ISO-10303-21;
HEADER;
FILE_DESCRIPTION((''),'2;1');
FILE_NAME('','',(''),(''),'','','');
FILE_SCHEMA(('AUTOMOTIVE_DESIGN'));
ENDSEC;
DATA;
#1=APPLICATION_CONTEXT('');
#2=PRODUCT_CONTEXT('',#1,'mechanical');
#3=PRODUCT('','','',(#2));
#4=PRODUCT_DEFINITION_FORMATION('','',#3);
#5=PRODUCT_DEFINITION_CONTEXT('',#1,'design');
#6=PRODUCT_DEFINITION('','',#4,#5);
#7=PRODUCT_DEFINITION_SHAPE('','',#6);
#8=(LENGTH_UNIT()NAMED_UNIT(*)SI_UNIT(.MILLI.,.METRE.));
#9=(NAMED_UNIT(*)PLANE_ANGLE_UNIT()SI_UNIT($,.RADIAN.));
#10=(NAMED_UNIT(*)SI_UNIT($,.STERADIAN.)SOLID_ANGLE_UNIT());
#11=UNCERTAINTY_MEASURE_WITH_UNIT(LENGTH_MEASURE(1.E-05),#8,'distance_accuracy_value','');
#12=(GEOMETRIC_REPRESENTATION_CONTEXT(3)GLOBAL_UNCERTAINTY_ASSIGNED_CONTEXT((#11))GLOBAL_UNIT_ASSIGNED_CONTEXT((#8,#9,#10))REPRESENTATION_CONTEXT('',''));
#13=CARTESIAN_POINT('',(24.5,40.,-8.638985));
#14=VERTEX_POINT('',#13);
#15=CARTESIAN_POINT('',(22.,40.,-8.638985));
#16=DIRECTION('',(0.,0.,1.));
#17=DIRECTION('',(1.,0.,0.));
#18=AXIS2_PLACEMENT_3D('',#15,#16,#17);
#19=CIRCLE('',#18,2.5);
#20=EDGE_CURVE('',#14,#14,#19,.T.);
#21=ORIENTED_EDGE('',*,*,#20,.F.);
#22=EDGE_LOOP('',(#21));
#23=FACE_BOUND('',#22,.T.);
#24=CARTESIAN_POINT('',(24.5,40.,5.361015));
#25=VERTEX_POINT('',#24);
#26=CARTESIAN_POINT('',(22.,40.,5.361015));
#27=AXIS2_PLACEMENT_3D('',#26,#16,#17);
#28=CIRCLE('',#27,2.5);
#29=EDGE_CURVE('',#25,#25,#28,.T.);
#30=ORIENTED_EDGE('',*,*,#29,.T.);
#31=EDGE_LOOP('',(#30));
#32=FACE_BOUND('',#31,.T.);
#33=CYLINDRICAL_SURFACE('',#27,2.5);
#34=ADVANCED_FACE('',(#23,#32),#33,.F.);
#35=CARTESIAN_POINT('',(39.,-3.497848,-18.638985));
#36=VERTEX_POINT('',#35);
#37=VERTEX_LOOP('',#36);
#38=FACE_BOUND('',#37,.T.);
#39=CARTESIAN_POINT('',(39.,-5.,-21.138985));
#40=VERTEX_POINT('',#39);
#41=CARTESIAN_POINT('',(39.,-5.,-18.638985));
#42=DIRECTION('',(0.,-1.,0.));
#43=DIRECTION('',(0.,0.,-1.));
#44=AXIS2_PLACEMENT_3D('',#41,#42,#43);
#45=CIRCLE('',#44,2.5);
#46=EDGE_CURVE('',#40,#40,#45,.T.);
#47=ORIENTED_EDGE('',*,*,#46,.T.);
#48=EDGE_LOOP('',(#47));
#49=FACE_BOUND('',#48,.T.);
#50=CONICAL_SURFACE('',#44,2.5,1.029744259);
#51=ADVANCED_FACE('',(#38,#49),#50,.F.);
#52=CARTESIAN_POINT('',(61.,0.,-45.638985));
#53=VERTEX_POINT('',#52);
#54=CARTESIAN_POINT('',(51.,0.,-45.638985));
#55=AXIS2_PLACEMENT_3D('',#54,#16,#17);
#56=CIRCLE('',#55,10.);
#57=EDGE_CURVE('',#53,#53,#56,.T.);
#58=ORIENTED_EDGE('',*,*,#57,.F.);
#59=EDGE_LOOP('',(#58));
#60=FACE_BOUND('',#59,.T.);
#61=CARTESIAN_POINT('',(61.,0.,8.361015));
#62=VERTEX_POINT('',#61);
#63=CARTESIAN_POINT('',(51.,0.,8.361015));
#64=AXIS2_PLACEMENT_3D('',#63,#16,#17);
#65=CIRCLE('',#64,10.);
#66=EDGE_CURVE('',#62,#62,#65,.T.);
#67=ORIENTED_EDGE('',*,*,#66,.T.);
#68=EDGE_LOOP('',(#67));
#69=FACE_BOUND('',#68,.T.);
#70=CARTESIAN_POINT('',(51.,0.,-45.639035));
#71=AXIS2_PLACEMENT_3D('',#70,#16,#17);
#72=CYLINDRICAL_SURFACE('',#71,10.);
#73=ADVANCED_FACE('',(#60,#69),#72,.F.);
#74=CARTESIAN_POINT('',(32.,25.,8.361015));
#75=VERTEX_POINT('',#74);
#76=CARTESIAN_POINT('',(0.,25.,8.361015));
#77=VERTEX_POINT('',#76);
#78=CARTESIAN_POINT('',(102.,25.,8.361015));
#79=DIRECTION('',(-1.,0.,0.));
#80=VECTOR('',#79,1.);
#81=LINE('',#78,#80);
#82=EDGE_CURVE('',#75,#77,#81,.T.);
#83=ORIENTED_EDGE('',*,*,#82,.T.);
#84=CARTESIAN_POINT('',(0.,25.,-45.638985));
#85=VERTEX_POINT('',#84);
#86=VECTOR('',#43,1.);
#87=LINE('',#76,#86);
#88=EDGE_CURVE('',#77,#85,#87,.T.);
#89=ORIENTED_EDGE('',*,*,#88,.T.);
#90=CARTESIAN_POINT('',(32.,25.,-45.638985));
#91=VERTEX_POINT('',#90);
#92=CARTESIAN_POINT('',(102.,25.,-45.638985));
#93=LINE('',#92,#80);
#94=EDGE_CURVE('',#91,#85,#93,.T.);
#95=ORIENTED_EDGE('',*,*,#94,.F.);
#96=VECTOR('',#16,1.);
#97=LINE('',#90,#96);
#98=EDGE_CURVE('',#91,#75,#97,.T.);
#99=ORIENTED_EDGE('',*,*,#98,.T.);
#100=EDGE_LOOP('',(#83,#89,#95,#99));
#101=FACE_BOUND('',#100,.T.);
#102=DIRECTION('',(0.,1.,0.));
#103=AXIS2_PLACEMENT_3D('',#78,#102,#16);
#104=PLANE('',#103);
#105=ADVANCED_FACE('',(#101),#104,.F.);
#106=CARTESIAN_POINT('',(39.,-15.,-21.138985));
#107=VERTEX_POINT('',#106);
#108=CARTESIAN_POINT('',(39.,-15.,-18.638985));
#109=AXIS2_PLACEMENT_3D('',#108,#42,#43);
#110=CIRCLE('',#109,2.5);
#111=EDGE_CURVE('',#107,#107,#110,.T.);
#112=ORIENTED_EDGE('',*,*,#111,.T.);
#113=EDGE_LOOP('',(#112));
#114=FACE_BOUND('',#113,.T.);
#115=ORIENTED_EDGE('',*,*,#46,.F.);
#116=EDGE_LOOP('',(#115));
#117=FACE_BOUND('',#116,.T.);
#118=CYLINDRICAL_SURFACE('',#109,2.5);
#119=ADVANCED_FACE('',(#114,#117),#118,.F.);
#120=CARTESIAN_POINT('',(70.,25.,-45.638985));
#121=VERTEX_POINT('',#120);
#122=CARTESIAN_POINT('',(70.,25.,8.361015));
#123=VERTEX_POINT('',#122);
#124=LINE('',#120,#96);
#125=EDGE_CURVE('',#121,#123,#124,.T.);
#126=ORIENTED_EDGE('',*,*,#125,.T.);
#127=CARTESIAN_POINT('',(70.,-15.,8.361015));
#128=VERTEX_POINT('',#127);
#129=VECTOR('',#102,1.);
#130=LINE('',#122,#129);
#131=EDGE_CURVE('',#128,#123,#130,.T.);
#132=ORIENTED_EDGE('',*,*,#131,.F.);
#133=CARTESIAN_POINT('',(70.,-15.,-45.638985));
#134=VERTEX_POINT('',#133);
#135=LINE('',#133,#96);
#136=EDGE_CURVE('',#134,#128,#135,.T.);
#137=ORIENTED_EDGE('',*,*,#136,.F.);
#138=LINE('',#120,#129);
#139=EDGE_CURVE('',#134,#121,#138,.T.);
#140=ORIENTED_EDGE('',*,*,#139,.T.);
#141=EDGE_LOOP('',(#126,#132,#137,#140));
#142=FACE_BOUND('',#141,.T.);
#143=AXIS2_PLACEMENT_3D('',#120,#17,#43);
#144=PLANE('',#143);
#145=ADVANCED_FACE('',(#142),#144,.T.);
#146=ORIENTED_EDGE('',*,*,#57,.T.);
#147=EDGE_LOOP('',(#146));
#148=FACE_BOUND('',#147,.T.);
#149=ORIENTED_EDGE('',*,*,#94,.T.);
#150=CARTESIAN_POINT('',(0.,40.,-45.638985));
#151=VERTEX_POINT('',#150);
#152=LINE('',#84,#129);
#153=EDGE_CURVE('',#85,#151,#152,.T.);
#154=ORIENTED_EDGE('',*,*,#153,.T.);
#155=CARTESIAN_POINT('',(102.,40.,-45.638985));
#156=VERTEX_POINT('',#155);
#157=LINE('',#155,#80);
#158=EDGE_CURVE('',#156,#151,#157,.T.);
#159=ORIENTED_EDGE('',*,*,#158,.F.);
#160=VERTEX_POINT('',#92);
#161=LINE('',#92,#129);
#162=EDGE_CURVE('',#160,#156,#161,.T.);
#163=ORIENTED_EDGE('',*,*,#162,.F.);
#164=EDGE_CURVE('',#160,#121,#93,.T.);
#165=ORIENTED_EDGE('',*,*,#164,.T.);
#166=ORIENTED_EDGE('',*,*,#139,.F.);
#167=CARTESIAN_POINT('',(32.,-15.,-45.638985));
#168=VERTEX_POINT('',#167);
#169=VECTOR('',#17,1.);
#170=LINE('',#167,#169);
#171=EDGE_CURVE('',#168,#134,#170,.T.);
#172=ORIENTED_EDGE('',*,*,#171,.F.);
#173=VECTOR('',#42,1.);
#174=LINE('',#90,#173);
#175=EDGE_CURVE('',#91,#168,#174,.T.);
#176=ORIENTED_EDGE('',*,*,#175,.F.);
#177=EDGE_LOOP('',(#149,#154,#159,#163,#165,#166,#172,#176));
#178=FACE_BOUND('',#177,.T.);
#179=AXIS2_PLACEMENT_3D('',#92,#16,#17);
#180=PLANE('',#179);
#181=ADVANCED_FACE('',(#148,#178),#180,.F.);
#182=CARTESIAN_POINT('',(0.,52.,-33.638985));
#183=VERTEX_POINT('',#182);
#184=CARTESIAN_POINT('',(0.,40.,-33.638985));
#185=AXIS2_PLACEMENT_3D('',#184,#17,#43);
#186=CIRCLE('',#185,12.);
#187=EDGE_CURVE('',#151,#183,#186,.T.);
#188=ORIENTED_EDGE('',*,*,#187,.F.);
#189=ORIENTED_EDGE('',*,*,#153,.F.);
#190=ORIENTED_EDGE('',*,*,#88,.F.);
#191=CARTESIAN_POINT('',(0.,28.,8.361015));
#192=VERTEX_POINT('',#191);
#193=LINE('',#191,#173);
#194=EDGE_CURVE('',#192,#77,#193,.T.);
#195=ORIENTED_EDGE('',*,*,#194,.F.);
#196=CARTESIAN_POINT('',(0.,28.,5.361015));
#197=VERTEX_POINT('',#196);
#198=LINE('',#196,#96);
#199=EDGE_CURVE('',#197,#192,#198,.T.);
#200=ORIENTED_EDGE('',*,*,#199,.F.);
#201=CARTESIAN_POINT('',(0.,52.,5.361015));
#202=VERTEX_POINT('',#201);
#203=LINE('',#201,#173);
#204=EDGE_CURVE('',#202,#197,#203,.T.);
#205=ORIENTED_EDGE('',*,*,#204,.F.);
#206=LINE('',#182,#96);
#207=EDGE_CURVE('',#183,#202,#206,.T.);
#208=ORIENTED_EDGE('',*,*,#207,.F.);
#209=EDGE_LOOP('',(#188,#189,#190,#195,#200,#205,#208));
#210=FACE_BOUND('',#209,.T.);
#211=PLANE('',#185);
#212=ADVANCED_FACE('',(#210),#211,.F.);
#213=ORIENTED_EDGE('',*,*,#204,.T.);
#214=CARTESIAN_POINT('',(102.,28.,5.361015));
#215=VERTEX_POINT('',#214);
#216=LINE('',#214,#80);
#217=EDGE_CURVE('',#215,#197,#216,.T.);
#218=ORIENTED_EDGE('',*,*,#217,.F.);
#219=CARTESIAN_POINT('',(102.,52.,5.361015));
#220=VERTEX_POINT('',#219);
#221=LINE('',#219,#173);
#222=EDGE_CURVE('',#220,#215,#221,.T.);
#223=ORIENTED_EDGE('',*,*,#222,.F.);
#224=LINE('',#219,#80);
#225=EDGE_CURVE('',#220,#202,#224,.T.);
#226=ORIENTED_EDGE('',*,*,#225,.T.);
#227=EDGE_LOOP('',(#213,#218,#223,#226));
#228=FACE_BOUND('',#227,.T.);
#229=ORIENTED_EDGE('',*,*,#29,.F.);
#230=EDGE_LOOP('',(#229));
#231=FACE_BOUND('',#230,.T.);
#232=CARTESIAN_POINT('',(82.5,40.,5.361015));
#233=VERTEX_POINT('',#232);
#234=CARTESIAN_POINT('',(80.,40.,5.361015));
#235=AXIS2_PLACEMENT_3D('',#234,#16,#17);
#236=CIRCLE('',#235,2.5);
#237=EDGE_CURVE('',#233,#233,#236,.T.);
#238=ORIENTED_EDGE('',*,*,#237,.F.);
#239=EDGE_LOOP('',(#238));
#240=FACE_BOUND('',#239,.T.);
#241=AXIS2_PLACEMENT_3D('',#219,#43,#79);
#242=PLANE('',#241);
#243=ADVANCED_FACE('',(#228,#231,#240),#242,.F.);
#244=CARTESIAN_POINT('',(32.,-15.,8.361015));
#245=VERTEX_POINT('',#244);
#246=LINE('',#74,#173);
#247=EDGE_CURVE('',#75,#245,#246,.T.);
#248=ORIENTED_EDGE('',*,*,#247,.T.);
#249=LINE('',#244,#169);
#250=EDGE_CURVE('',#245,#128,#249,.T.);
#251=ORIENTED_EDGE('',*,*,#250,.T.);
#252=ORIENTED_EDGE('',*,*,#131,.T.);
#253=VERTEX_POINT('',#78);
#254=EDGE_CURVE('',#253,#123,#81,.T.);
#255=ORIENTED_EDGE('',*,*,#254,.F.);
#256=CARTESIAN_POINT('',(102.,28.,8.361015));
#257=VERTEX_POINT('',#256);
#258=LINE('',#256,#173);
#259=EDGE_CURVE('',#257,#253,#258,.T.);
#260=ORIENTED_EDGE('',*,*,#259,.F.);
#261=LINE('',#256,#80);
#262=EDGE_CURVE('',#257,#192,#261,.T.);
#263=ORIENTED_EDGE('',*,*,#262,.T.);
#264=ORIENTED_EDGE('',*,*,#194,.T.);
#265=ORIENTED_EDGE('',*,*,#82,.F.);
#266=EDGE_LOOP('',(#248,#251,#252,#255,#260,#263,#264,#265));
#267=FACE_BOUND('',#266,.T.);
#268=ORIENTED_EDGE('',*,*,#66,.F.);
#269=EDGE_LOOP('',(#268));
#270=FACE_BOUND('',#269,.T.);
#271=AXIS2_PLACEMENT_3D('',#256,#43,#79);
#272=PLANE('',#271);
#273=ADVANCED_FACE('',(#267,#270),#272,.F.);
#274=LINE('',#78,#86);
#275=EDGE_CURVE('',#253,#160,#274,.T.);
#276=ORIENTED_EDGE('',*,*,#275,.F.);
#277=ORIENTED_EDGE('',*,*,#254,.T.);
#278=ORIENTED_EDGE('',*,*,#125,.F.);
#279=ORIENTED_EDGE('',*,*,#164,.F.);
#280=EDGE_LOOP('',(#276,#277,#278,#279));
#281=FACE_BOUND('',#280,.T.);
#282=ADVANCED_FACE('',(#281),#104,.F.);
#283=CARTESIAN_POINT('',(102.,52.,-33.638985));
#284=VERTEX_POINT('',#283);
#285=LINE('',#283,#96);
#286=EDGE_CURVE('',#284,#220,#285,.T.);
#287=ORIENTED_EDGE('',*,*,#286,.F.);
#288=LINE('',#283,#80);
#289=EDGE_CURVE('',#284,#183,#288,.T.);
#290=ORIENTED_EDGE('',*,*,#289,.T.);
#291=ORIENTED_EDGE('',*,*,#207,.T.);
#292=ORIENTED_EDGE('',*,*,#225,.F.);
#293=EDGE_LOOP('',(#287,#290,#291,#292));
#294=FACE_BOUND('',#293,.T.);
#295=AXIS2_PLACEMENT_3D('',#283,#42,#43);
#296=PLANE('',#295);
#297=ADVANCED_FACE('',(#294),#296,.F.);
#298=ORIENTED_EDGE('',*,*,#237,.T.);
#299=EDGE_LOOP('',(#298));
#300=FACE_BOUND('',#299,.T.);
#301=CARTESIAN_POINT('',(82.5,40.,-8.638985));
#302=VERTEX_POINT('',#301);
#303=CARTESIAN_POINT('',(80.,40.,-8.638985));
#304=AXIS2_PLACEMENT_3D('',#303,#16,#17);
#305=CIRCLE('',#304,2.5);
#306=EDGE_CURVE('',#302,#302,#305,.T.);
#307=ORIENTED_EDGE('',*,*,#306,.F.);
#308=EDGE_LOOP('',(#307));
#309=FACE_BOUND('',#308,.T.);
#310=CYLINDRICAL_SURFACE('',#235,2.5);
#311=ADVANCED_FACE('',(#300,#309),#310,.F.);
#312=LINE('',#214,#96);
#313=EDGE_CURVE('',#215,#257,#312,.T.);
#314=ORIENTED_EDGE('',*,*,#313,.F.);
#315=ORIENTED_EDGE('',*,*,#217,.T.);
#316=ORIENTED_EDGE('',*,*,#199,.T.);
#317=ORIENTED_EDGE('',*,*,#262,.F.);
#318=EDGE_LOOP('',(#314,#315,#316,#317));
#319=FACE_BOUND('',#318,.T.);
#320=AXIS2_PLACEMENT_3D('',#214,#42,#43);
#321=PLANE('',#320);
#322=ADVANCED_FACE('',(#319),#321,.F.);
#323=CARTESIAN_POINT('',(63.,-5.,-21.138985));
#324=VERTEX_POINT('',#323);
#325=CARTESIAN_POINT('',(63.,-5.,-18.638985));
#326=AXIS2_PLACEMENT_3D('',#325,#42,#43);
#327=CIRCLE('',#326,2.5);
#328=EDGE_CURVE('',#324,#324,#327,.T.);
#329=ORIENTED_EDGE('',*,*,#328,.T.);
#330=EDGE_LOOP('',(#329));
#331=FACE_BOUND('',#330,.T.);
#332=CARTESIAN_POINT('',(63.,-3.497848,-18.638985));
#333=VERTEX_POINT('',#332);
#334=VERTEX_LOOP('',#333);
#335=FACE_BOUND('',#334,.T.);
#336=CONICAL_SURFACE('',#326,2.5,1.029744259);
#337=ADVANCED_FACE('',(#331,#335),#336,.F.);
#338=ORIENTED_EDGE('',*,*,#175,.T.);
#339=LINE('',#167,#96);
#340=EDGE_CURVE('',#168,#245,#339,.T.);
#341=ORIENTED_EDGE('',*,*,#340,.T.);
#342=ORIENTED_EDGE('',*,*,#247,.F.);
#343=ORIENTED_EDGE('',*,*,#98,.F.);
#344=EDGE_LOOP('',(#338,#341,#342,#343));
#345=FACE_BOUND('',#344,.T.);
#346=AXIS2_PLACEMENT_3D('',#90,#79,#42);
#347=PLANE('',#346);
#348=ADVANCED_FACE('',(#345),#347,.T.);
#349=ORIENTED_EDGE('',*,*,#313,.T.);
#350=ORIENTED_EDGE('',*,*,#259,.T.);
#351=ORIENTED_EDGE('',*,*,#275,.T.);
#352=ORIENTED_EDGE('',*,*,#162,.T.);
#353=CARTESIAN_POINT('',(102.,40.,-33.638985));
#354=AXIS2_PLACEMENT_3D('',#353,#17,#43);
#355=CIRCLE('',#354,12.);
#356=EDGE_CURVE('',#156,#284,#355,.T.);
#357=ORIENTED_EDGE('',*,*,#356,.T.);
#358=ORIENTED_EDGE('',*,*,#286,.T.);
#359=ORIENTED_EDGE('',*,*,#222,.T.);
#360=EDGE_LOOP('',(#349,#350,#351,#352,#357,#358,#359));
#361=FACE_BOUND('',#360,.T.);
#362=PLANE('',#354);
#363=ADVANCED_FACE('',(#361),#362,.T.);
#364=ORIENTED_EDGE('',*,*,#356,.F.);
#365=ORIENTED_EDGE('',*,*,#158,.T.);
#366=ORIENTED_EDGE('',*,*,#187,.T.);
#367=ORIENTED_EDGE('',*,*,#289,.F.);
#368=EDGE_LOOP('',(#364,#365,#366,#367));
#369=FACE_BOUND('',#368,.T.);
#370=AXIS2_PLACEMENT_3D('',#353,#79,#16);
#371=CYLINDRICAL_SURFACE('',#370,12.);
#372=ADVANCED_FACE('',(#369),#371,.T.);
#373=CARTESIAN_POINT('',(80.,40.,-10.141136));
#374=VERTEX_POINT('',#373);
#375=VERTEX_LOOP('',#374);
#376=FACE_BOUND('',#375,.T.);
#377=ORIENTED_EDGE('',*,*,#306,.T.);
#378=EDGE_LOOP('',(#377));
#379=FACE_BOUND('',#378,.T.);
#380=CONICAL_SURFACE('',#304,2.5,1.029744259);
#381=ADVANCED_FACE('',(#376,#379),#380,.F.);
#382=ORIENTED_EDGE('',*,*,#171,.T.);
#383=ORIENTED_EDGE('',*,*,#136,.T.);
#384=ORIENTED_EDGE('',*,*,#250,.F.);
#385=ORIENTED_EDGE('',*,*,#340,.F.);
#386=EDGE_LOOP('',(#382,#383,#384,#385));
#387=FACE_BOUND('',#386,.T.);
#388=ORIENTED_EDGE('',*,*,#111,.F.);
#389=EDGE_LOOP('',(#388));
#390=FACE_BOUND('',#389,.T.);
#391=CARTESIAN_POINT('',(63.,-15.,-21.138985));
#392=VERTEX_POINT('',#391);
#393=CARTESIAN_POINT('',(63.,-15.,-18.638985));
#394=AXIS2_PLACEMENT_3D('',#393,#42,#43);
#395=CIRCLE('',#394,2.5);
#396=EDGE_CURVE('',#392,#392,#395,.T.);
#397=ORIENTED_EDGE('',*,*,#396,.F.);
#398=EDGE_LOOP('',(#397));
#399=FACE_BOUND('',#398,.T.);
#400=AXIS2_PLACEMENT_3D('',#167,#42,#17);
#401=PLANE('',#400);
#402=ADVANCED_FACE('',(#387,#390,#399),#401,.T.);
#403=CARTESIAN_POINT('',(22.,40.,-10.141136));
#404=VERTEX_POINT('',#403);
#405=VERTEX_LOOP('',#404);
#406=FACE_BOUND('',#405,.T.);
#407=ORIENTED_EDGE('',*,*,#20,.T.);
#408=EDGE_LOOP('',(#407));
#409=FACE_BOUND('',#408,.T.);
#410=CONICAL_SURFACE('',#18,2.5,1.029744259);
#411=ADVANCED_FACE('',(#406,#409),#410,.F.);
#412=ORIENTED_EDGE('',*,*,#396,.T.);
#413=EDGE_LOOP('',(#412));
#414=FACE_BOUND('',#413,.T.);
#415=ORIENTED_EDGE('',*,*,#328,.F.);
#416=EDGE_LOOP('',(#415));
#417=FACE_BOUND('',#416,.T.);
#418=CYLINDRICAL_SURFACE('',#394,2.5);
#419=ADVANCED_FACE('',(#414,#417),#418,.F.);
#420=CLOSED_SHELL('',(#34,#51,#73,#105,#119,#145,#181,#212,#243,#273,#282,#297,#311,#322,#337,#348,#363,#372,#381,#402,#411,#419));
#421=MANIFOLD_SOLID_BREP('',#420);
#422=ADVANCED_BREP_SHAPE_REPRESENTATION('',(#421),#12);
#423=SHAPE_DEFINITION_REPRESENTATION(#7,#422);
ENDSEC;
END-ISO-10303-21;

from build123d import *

# Parameters (mm, degrees)
EXTRUDE1_DEPTH        = 102
SKETCH3_W             = 38
SKETCH3_H             = 40
EXTRUDE3_DEPTH        = 54
SKETCH4_R             = 10
EXTRUDE4_DEPTH        = 127.585939188
M6_TAPPED_HOLE1_D     = 5
M6_TAPPED_HOLE1_DEPTH = 14
M6_TAPPED_HOLE1_TIP   = 1.502151548
M6_TAPPED_HOLE2_D     = 5
M6_TAPPED_HOLE2_DEPTH = 10
M6_TAPPED_HOLE2_TIP   = 1.502151548


with BuildPart() as part:
    # Sketch1 → Extrude1 (new body)
    with BuildSketch(Plane(origin=(0, 0, 0), x_dir=(0, 0, -1), z_dir=(1, 0, 0))):
        with BuildLine():
            Line((-5.361015491, 52), (-5.361015491, 28))
            Line((-5.361015491, 28), (-8.361015491, 28))
            Line((-8.361015491, 28), (-8.361015491, 25))
            Line((-8.361015491, 25), (45.638984509, 25))
            Line((45.638984509, 25), (45.638984509, 40))
            ThreePointArc((45.638984509, 40), (42.124265884, 48.485281374), (33.638984509, 52))
            Line((33.638984509, 52), (-5.361015491, 52))
        make_face()
    extrude(amount=EXTRUDE1_DEPTH)

    # Sketch3 → Extrude3 (add)
    with BuildSketch(Plane.XY.offset(8.361015491)):
        with Locations((51, 5)):
            Rectangle(SKETCH3_W, SKETCH3_H)
    extrude(amount=-EXTRUDE3_DEPTH)

    # Sketch4 → Extrude4 (cut, through all)
    with BuildSketch(Plane.XY.offset(8.361015491)):
        with Locations((51, 0)):
            Circle(SKETCH4_R)
    extrude(amount=-EXTRUDE4_DEPTH, mode=Mode.SUBTRACT)

    # M6 Tapped Hole1
    with Locations(Plane(origin=(22, 40, 5.361015491), x_dir=(1, 0, 0), z_dir=(0, 0, 1))):
        with Locations((0, 0), (58, 0)):
            Hole(M6_TAPPED_HOLE1_D / 2, depth=M6_TAPPED_HOLE1_DEPTH)
            with Locations((0, 0, -(M6_TAPPED_HOLE1_DEPTH + M6_TAPPED_HOLE1_TIP / 2))):  # 118° drill point
                Cone(0, M6_TAPPED_HOLE1_D / 2, M6_TAPPED_HOLE1_TIP, mode=Mode.SUBTRACT)

    # M6 Tapped Hole2
    with Locations(Plane(origin=(39, -15, -18.638984509), x_dir=(-1, 0, 0), z_dir=(0, -1, 0))):
        with Locations((0, 0), (-24, 0)):
            Hole(M6_TAPPED_HOLE2_D / 2, depth=M6_TAPPED_HOLE2_DEPTH)
            with Locations((0, 0, -(M6_TAPPED_HOLE2_DEPTH + M6_TAPPED_HOLE2_TIP / 2))):  # 118° drill point
                Cone(0, M6_TAPPED_HOLE2_D / 2, M6_TAPPED_HOLE2_TIP, mode=Mode.SUBTRACT)


solid = part.part
